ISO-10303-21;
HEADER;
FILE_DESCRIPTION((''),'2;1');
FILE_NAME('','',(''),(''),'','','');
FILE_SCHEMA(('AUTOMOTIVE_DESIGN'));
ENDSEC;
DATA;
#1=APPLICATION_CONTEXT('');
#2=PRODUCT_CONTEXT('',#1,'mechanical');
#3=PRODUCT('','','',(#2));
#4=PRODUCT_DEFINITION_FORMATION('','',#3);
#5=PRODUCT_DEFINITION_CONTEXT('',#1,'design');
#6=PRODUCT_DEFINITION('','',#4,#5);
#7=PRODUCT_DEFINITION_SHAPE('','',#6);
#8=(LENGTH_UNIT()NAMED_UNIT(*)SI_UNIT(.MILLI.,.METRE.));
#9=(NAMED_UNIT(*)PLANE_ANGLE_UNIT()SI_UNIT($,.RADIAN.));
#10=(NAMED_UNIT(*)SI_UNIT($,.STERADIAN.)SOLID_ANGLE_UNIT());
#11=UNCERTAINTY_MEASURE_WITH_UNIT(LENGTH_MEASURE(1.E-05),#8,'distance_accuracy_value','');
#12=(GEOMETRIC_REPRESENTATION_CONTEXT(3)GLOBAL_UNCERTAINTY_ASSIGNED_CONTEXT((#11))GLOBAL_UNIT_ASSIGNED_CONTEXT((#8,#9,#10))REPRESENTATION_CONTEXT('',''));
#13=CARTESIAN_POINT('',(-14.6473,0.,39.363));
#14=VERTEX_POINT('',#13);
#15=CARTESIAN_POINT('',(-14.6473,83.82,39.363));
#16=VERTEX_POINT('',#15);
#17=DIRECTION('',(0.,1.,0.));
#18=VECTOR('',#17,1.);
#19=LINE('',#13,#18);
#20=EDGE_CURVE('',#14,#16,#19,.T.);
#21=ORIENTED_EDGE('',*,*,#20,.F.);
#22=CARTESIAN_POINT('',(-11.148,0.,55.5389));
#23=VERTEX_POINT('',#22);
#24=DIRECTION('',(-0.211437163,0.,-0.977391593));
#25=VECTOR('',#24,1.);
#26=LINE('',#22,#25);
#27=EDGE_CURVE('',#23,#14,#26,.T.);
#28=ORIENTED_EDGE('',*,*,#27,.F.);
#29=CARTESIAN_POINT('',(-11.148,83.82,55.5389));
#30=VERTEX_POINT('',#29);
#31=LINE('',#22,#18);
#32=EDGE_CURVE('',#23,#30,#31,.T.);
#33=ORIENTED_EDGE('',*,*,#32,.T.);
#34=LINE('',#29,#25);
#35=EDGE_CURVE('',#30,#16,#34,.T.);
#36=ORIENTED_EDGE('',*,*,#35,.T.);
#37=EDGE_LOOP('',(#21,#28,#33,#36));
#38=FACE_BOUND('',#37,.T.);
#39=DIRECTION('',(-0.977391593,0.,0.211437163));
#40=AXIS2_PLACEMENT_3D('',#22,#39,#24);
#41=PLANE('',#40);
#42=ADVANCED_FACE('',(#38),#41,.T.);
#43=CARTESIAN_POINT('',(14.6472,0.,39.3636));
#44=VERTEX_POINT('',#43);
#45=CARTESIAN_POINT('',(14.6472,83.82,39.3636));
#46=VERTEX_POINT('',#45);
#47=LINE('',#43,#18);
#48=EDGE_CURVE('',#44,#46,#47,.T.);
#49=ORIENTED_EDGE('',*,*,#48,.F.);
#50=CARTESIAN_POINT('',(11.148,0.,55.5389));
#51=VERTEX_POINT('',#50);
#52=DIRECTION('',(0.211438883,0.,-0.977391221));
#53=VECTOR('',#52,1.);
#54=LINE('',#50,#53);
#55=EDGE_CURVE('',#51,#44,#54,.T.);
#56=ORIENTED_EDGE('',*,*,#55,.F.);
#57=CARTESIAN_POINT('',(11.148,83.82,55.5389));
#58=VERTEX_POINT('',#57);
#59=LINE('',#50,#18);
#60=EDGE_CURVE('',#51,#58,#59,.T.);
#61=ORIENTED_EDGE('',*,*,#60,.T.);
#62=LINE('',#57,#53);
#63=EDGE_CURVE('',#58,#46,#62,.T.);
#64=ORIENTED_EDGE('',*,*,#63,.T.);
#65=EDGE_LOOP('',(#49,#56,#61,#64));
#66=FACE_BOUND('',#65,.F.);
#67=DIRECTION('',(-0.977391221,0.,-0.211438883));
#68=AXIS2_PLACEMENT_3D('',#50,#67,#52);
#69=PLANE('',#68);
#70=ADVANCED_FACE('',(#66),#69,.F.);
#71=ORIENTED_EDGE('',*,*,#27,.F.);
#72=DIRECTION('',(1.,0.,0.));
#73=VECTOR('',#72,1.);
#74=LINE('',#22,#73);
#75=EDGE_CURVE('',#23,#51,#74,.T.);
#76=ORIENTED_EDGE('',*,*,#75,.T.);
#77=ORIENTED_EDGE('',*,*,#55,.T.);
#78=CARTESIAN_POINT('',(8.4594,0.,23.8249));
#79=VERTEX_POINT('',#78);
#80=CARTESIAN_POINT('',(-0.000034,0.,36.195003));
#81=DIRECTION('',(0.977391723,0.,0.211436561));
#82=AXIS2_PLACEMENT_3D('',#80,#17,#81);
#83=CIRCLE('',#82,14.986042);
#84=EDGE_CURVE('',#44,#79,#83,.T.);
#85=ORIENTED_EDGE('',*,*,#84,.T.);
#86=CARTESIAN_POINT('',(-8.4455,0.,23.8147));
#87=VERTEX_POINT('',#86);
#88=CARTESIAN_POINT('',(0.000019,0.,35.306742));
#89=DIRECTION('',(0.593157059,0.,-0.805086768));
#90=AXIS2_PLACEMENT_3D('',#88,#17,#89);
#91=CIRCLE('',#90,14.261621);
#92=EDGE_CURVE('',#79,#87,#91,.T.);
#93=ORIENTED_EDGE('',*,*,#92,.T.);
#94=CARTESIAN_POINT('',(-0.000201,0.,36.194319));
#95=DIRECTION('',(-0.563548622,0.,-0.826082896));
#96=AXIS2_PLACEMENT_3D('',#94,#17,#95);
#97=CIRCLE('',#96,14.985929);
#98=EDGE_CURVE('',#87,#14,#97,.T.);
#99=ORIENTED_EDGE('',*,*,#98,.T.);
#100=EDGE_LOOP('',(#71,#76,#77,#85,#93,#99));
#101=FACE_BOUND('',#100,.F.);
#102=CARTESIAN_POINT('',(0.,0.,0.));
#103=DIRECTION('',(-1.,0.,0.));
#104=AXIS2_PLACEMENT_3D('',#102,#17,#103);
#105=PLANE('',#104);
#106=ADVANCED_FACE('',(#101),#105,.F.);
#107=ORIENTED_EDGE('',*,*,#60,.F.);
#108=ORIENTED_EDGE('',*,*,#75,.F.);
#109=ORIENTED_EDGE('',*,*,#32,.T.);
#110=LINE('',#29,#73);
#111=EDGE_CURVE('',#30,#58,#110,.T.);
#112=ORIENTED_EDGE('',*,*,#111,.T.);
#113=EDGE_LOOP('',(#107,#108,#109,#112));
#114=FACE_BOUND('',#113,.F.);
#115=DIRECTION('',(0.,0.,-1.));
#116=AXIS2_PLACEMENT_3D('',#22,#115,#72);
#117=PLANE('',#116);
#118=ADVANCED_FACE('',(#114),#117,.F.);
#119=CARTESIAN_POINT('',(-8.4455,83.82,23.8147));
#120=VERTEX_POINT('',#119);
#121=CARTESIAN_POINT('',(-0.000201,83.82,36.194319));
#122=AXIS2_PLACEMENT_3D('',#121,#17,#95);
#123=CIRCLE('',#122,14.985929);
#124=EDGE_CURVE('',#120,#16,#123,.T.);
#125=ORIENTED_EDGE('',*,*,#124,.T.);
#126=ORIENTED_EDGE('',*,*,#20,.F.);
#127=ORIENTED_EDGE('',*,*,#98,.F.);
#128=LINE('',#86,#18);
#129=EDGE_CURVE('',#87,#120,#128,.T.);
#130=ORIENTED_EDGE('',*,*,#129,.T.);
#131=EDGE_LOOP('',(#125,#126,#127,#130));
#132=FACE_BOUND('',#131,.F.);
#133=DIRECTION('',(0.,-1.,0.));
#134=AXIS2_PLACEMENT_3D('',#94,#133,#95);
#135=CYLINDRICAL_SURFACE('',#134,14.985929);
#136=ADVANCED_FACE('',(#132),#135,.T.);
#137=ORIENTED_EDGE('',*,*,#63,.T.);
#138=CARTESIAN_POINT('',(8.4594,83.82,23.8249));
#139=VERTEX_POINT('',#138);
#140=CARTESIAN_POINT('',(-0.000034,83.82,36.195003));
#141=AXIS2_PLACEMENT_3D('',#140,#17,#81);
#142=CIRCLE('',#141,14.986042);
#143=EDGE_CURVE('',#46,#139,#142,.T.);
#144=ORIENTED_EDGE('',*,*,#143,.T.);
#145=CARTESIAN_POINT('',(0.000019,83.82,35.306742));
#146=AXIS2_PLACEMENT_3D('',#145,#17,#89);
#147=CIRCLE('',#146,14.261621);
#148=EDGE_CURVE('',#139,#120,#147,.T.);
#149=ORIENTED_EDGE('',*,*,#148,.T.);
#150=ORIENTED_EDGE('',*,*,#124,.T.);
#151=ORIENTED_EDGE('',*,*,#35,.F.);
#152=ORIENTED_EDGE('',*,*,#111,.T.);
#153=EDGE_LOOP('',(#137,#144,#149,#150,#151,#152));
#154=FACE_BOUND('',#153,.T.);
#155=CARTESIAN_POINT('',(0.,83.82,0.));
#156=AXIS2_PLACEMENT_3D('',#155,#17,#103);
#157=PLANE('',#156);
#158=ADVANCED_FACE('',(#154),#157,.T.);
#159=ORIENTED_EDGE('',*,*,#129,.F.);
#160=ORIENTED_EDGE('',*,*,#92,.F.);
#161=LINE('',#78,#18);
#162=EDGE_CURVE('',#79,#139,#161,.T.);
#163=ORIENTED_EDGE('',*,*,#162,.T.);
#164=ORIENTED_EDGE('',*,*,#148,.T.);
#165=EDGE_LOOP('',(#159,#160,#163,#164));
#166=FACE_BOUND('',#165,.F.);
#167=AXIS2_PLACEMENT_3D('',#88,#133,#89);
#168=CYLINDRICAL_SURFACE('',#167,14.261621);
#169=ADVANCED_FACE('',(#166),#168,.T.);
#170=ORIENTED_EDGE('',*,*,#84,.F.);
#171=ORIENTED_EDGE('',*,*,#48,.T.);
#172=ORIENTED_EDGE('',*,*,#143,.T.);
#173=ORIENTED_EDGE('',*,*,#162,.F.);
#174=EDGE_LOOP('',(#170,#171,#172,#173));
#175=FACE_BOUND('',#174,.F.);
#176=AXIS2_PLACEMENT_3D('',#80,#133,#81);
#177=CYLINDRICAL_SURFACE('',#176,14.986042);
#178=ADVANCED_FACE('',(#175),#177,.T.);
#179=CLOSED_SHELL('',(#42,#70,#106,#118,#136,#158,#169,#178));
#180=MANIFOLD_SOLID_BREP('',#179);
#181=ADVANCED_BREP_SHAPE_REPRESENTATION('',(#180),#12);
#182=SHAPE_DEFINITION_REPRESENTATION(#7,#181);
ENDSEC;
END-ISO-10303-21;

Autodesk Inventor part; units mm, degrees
ref_plane "YZ Plane" through (0, 0, 0) normal (1, 0, 0) x (0, 1, 0)
ref_plane "XZ Plane" through (0, 0, 0) normal (0, 1, 0) x (-1, 0, 0)
ref_plane "XY Plane" through (0, 0, 0) normal (0, 0, 1) x (1, 0, 0)
sketch "Sketch1" plane through (0, 0, 0) normal (0, 1, 0) x (-1, 0, 0)
  arc A0 (8.4455, 23.8147) -> (8.3223, 23.1255) centre (8.7463, 23.4053) ccw construction
  arc A1 (8.4455, 23.8147) -> (14.6473, 39.363) centre (0.0001, 36.1944) ccw construction
  line L0 (14.6473, 39.363) -> (11.148, 55.5389) construction
  arc A2 (11.5371, 56.1429) -> (11.148, 55.5389) centre (11.6445, 55.6463) ccw construction
  line L1 (11.5371, 56.1429) -> (13.5232, 56.5725) construction
  arc A3 (14.1273, 56.1832) -> (13.5232, 56.5725) centre (13.6307, 56.076) ccw construction
  line L2 (14.1273, 56.1832) -> (17.6265, 40.0078) construction
  arc A4 (10.1518, 21.2894) -> (17.6265, 40.0078) centre (0.0002, 36.1948) ccw construction
  arc A5 (9.4419, 21.4294) -> (10.1518, 21.2894) centre (9.8658, 21.7093) ccw construction
  line L3 (9.4419, 21.4294) -> (8.3223, 23.1255) construction
  arc A6 (-13.5232, 56.5725) -> (-14.1271, 56.1834) centre (-13.6306, 56.076) ccw construction
  line L4 (-13.5232, 56.5725) -> (-11.5371, 56.1429) construction
  arc A7 (-11.148, 55.5389) -> (-11.5371, 56.1429) centre (-11.6445, 55.6463) ccw construction
  line L5 (-11.148, 55.5389) -> (-14.6472, 39.3636) construction
  arc A8 (-14.6472, 39.3636) -> (-8.4594, 23.8249) centre (0, 36.195) ccw construction
  arc A9 (-8.3222, 23.1257) -> (-8.4594, 23.8249) centre (-8.7461, 23.4056) ccw construction
  line L6 (-8.3222, 23.1257) -> (-9.4417, 21.4297) construction
  arc A10 (-10.1516, 21.2896) -> (-9.4417, 21.4297) centre (-9.8656, 21.7095) ccw construction
  arc A11 (-17.6263, 40.0081) -> (-10.1516, 21.2896) centre (0, 36.195) ccw construction
  line L7 (-17.6263, 40.0081) -> (-14.1271, 56.1834) construction
  line L8 (11.148, 55.5389) -> (14.6473, 39.363)
  arc A12 (8.4455, 23.8147) -> (14.6473, 39.363) centre (0.0001, 36.1944) ccw
  line L9 (-11.148, 55.5389) -> (-14.6472, 39.3636)
  arc A13 (-14.6472, 39.3636) -> (-8.4594, 23.8249) centre (0, 36.195) ccw
  line L10 (11.148, 55.5389) -> (-11.148, 55.5389)
  arc A14 (-8.4594, 23.8249) -> (8.4455, 23.8147) centre (0, 35.3068) ccw
  point P0 (0, 0)
extrude "Extrusion1" add sketch "Sketch1" along normal blind 83.82
properties part number "JlinearActuator"
